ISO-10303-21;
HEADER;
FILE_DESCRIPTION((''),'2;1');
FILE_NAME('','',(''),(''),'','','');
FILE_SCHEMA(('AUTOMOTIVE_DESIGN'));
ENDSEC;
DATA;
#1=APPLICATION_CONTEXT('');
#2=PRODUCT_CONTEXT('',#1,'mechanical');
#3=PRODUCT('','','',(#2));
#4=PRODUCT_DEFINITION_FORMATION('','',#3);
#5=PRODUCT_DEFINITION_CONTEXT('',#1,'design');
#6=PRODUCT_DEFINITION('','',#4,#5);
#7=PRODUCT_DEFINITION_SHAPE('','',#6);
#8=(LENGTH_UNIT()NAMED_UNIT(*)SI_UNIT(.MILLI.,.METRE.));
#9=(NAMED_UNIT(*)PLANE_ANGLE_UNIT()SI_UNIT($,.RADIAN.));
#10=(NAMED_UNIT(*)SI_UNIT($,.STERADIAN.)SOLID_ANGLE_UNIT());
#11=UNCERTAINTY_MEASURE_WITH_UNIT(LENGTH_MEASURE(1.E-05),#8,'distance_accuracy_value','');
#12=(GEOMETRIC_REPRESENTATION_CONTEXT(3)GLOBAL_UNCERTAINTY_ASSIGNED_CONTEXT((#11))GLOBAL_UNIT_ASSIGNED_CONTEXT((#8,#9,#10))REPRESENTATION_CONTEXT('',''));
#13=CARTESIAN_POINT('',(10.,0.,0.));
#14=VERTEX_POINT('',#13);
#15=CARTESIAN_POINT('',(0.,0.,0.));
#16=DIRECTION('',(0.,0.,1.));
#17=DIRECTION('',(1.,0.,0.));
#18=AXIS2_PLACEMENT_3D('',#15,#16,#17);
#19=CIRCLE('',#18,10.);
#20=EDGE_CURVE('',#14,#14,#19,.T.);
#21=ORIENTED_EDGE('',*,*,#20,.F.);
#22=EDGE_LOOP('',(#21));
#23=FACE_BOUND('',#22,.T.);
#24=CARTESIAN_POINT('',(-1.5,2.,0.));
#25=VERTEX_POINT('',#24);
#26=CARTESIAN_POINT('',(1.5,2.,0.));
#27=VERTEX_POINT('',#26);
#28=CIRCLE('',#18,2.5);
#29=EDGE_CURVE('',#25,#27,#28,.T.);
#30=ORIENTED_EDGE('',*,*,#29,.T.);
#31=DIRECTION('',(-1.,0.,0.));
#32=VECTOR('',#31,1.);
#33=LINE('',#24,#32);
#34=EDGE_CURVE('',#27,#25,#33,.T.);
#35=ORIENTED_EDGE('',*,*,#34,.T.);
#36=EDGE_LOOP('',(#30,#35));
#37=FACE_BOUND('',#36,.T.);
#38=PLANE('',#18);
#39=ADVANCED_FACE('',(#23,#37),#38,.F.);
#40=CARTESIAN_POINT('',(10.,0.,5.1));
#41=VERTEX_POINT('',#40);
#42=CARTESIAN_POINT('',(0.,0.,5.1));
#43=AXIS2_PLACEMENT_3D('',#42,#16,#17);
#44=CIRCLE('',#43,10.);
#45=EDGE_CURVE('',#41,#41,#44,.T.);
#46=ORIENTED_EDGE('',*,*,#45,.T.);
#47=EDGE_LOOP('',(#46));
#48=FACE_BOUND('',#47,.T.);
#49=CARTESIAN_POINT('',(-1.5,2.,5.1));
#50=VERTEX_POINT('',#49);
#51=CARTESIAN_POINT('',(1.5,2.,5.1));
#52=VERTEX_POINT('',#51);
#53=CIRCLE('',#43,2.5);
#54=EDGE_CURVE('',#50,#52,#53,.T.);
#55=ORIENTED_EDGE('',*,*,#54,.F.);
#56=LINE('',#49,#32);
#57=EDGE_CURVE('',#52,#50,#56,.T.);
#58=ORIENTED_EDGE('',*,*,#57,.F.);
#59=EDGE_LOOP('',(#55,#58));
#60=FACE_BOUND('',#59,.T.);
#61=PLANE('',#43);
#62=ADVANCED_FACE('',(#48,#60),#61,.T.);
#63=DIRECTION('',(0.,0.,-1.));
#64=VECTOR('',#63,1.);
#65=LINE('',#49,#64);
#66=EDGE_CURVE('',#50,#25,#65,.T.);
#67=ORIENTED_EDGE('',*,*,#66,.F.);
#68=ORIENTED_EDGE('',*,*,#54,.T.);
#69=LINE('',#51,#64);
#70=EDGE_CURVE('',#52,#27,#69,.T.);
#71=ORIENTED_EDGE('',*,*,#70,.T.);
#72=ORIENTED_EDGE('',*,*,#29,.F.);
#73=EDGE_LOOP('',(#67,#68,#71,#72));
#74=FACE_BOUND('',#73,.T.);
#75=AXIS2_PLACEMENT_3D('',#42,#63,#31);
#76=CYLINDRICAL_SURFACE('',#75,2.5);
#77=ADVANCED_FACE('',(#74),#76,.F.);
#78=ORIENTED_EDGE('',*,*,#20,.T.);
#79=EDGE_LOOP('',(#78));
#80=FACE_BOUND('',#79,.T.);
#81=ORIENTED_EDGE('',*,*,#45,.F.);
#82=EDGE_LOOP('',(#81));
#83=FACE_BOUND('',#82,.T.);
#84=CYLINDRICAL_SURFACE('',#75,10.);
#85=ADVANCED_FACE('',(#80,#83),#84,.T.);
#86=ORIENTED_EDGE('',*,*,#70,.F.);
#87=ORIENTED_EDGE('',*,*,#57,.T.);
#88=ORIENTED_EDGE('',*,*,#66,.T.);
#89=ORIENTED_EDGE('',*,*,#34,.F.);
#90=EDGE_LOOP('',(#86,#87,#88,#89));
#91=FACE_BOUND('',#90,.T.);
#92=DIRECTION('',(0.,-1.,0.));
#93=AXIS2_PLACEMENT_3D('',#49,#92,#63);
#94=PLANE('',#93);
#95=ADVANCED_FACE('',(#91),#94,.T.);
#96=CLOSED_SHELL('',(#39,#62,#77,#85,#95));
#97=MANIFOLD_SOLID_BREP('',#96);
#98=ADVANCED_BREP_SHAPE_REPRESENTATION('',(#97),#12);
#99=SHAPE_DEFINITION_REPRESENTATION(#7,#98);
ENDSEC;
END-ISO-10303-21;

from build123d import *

# Parameters (mm, degrees)
SKETCH1_R           = 10
BOSS_EXTRUDE1_DEPTH = 5.1


with BuildPart() as part:
    # Sketch1 → Boss-Extrude1 (new body)
    with BuildSketch(Plane.XY):
        Circle(SKETCH1_R)
        with BuildLine():
            Line((-1.5, 2), (1.5, 2))
            ThreePointArc((1.5, 2), (0, -2.5), (-1.5, 2))
        make_face(mode=Mode.SUBTRACT)
    extrude(amount=BOSS_EXTRUDE1_DEPTH)


solid = part.part
